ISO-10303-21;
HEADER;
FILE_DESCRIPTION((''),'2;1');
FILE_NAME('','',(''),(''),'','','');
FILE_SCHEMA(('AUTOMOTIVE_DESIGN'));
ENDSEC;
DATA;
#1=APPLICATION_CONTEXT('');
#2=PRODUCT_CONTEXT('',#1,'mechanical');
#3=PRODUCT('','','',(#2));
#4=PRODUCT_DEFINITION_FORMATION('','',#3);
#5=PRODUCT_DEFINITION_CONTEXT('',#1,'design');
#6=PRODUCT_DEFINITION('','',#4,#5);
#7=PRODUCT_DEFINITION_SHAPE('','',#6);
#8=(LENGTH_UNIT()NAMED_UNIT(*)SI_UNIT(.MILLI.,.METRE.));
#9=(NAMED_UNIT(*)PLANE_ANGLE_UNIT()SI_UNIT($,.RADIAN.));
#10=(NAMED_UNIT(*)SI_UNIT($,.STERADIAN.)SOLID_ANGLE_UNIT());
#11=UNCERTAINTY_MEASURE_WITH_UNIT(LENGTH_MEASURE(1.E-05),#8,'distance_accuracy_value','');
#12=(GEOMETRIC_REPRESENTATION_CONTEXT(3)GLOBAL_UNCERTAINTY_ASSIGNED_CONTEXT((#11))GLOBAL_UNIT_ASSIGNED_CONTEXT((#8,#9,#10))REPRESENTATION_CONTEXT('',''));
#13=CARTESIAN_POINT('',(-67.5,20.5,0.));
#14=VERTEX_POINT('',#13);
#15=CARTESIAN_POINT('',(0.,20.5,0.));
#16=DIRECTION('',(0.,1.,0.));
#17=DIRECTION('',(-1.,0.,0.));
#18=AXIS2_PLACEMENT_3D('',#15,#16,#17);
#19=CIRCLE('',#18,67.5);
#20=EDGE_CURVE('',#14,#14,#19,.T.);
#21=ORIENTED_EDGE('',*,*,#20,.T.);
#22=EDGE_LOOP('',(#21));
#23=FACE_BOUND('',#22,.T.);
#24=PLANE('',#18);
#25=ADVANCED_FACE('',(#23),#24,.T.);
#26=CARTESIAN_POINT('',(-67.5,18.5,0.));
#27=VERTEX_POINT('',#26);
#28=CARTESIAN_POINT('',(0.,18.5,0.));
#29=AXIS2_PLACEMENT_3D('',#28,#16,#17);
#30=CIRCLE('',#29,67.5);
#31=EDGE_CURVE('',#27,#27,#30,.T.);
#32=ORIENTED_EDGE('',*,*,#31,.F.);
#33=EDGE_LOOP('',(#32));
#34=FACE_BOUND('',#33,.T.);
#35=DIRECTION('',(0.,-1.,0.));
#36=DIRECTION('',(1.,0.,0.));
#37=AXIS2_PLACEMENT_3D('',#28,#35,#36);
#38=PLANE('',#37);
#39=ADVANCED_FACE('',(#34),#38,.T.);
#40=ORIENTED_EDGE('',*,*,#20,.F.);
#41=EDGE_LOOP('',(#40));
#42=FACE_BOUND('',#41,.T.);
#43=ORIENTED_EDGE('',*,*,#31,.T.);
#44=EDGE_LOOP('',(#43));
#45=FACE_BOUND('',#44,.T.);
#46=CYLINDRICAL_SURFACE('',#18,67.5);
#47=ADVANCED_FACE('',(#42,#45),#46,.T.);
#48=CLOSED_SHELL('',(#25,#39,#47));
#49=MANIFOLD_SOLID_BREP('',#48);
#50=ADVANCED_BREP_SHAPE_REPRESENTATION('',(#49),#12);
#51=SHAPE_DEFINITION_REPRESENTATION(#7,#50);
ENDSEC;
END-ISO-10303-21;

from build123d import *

# Parameters (mm, degrees)
SKETCH1_W = 67.5
SKETCH1_H = 2


with BuildPart() as part:
    # Sketch1 → Revolve1 (revolve)
    with BuildSketch(Plane.XY):
        with Locations((-33.75, 19.5)):
            Rectangle(SKETCH1_W, SKETCH1_H)
    revolve(axis=Axis((0, 20.5, 0), (0, -1, 0)))


solid = part.part
